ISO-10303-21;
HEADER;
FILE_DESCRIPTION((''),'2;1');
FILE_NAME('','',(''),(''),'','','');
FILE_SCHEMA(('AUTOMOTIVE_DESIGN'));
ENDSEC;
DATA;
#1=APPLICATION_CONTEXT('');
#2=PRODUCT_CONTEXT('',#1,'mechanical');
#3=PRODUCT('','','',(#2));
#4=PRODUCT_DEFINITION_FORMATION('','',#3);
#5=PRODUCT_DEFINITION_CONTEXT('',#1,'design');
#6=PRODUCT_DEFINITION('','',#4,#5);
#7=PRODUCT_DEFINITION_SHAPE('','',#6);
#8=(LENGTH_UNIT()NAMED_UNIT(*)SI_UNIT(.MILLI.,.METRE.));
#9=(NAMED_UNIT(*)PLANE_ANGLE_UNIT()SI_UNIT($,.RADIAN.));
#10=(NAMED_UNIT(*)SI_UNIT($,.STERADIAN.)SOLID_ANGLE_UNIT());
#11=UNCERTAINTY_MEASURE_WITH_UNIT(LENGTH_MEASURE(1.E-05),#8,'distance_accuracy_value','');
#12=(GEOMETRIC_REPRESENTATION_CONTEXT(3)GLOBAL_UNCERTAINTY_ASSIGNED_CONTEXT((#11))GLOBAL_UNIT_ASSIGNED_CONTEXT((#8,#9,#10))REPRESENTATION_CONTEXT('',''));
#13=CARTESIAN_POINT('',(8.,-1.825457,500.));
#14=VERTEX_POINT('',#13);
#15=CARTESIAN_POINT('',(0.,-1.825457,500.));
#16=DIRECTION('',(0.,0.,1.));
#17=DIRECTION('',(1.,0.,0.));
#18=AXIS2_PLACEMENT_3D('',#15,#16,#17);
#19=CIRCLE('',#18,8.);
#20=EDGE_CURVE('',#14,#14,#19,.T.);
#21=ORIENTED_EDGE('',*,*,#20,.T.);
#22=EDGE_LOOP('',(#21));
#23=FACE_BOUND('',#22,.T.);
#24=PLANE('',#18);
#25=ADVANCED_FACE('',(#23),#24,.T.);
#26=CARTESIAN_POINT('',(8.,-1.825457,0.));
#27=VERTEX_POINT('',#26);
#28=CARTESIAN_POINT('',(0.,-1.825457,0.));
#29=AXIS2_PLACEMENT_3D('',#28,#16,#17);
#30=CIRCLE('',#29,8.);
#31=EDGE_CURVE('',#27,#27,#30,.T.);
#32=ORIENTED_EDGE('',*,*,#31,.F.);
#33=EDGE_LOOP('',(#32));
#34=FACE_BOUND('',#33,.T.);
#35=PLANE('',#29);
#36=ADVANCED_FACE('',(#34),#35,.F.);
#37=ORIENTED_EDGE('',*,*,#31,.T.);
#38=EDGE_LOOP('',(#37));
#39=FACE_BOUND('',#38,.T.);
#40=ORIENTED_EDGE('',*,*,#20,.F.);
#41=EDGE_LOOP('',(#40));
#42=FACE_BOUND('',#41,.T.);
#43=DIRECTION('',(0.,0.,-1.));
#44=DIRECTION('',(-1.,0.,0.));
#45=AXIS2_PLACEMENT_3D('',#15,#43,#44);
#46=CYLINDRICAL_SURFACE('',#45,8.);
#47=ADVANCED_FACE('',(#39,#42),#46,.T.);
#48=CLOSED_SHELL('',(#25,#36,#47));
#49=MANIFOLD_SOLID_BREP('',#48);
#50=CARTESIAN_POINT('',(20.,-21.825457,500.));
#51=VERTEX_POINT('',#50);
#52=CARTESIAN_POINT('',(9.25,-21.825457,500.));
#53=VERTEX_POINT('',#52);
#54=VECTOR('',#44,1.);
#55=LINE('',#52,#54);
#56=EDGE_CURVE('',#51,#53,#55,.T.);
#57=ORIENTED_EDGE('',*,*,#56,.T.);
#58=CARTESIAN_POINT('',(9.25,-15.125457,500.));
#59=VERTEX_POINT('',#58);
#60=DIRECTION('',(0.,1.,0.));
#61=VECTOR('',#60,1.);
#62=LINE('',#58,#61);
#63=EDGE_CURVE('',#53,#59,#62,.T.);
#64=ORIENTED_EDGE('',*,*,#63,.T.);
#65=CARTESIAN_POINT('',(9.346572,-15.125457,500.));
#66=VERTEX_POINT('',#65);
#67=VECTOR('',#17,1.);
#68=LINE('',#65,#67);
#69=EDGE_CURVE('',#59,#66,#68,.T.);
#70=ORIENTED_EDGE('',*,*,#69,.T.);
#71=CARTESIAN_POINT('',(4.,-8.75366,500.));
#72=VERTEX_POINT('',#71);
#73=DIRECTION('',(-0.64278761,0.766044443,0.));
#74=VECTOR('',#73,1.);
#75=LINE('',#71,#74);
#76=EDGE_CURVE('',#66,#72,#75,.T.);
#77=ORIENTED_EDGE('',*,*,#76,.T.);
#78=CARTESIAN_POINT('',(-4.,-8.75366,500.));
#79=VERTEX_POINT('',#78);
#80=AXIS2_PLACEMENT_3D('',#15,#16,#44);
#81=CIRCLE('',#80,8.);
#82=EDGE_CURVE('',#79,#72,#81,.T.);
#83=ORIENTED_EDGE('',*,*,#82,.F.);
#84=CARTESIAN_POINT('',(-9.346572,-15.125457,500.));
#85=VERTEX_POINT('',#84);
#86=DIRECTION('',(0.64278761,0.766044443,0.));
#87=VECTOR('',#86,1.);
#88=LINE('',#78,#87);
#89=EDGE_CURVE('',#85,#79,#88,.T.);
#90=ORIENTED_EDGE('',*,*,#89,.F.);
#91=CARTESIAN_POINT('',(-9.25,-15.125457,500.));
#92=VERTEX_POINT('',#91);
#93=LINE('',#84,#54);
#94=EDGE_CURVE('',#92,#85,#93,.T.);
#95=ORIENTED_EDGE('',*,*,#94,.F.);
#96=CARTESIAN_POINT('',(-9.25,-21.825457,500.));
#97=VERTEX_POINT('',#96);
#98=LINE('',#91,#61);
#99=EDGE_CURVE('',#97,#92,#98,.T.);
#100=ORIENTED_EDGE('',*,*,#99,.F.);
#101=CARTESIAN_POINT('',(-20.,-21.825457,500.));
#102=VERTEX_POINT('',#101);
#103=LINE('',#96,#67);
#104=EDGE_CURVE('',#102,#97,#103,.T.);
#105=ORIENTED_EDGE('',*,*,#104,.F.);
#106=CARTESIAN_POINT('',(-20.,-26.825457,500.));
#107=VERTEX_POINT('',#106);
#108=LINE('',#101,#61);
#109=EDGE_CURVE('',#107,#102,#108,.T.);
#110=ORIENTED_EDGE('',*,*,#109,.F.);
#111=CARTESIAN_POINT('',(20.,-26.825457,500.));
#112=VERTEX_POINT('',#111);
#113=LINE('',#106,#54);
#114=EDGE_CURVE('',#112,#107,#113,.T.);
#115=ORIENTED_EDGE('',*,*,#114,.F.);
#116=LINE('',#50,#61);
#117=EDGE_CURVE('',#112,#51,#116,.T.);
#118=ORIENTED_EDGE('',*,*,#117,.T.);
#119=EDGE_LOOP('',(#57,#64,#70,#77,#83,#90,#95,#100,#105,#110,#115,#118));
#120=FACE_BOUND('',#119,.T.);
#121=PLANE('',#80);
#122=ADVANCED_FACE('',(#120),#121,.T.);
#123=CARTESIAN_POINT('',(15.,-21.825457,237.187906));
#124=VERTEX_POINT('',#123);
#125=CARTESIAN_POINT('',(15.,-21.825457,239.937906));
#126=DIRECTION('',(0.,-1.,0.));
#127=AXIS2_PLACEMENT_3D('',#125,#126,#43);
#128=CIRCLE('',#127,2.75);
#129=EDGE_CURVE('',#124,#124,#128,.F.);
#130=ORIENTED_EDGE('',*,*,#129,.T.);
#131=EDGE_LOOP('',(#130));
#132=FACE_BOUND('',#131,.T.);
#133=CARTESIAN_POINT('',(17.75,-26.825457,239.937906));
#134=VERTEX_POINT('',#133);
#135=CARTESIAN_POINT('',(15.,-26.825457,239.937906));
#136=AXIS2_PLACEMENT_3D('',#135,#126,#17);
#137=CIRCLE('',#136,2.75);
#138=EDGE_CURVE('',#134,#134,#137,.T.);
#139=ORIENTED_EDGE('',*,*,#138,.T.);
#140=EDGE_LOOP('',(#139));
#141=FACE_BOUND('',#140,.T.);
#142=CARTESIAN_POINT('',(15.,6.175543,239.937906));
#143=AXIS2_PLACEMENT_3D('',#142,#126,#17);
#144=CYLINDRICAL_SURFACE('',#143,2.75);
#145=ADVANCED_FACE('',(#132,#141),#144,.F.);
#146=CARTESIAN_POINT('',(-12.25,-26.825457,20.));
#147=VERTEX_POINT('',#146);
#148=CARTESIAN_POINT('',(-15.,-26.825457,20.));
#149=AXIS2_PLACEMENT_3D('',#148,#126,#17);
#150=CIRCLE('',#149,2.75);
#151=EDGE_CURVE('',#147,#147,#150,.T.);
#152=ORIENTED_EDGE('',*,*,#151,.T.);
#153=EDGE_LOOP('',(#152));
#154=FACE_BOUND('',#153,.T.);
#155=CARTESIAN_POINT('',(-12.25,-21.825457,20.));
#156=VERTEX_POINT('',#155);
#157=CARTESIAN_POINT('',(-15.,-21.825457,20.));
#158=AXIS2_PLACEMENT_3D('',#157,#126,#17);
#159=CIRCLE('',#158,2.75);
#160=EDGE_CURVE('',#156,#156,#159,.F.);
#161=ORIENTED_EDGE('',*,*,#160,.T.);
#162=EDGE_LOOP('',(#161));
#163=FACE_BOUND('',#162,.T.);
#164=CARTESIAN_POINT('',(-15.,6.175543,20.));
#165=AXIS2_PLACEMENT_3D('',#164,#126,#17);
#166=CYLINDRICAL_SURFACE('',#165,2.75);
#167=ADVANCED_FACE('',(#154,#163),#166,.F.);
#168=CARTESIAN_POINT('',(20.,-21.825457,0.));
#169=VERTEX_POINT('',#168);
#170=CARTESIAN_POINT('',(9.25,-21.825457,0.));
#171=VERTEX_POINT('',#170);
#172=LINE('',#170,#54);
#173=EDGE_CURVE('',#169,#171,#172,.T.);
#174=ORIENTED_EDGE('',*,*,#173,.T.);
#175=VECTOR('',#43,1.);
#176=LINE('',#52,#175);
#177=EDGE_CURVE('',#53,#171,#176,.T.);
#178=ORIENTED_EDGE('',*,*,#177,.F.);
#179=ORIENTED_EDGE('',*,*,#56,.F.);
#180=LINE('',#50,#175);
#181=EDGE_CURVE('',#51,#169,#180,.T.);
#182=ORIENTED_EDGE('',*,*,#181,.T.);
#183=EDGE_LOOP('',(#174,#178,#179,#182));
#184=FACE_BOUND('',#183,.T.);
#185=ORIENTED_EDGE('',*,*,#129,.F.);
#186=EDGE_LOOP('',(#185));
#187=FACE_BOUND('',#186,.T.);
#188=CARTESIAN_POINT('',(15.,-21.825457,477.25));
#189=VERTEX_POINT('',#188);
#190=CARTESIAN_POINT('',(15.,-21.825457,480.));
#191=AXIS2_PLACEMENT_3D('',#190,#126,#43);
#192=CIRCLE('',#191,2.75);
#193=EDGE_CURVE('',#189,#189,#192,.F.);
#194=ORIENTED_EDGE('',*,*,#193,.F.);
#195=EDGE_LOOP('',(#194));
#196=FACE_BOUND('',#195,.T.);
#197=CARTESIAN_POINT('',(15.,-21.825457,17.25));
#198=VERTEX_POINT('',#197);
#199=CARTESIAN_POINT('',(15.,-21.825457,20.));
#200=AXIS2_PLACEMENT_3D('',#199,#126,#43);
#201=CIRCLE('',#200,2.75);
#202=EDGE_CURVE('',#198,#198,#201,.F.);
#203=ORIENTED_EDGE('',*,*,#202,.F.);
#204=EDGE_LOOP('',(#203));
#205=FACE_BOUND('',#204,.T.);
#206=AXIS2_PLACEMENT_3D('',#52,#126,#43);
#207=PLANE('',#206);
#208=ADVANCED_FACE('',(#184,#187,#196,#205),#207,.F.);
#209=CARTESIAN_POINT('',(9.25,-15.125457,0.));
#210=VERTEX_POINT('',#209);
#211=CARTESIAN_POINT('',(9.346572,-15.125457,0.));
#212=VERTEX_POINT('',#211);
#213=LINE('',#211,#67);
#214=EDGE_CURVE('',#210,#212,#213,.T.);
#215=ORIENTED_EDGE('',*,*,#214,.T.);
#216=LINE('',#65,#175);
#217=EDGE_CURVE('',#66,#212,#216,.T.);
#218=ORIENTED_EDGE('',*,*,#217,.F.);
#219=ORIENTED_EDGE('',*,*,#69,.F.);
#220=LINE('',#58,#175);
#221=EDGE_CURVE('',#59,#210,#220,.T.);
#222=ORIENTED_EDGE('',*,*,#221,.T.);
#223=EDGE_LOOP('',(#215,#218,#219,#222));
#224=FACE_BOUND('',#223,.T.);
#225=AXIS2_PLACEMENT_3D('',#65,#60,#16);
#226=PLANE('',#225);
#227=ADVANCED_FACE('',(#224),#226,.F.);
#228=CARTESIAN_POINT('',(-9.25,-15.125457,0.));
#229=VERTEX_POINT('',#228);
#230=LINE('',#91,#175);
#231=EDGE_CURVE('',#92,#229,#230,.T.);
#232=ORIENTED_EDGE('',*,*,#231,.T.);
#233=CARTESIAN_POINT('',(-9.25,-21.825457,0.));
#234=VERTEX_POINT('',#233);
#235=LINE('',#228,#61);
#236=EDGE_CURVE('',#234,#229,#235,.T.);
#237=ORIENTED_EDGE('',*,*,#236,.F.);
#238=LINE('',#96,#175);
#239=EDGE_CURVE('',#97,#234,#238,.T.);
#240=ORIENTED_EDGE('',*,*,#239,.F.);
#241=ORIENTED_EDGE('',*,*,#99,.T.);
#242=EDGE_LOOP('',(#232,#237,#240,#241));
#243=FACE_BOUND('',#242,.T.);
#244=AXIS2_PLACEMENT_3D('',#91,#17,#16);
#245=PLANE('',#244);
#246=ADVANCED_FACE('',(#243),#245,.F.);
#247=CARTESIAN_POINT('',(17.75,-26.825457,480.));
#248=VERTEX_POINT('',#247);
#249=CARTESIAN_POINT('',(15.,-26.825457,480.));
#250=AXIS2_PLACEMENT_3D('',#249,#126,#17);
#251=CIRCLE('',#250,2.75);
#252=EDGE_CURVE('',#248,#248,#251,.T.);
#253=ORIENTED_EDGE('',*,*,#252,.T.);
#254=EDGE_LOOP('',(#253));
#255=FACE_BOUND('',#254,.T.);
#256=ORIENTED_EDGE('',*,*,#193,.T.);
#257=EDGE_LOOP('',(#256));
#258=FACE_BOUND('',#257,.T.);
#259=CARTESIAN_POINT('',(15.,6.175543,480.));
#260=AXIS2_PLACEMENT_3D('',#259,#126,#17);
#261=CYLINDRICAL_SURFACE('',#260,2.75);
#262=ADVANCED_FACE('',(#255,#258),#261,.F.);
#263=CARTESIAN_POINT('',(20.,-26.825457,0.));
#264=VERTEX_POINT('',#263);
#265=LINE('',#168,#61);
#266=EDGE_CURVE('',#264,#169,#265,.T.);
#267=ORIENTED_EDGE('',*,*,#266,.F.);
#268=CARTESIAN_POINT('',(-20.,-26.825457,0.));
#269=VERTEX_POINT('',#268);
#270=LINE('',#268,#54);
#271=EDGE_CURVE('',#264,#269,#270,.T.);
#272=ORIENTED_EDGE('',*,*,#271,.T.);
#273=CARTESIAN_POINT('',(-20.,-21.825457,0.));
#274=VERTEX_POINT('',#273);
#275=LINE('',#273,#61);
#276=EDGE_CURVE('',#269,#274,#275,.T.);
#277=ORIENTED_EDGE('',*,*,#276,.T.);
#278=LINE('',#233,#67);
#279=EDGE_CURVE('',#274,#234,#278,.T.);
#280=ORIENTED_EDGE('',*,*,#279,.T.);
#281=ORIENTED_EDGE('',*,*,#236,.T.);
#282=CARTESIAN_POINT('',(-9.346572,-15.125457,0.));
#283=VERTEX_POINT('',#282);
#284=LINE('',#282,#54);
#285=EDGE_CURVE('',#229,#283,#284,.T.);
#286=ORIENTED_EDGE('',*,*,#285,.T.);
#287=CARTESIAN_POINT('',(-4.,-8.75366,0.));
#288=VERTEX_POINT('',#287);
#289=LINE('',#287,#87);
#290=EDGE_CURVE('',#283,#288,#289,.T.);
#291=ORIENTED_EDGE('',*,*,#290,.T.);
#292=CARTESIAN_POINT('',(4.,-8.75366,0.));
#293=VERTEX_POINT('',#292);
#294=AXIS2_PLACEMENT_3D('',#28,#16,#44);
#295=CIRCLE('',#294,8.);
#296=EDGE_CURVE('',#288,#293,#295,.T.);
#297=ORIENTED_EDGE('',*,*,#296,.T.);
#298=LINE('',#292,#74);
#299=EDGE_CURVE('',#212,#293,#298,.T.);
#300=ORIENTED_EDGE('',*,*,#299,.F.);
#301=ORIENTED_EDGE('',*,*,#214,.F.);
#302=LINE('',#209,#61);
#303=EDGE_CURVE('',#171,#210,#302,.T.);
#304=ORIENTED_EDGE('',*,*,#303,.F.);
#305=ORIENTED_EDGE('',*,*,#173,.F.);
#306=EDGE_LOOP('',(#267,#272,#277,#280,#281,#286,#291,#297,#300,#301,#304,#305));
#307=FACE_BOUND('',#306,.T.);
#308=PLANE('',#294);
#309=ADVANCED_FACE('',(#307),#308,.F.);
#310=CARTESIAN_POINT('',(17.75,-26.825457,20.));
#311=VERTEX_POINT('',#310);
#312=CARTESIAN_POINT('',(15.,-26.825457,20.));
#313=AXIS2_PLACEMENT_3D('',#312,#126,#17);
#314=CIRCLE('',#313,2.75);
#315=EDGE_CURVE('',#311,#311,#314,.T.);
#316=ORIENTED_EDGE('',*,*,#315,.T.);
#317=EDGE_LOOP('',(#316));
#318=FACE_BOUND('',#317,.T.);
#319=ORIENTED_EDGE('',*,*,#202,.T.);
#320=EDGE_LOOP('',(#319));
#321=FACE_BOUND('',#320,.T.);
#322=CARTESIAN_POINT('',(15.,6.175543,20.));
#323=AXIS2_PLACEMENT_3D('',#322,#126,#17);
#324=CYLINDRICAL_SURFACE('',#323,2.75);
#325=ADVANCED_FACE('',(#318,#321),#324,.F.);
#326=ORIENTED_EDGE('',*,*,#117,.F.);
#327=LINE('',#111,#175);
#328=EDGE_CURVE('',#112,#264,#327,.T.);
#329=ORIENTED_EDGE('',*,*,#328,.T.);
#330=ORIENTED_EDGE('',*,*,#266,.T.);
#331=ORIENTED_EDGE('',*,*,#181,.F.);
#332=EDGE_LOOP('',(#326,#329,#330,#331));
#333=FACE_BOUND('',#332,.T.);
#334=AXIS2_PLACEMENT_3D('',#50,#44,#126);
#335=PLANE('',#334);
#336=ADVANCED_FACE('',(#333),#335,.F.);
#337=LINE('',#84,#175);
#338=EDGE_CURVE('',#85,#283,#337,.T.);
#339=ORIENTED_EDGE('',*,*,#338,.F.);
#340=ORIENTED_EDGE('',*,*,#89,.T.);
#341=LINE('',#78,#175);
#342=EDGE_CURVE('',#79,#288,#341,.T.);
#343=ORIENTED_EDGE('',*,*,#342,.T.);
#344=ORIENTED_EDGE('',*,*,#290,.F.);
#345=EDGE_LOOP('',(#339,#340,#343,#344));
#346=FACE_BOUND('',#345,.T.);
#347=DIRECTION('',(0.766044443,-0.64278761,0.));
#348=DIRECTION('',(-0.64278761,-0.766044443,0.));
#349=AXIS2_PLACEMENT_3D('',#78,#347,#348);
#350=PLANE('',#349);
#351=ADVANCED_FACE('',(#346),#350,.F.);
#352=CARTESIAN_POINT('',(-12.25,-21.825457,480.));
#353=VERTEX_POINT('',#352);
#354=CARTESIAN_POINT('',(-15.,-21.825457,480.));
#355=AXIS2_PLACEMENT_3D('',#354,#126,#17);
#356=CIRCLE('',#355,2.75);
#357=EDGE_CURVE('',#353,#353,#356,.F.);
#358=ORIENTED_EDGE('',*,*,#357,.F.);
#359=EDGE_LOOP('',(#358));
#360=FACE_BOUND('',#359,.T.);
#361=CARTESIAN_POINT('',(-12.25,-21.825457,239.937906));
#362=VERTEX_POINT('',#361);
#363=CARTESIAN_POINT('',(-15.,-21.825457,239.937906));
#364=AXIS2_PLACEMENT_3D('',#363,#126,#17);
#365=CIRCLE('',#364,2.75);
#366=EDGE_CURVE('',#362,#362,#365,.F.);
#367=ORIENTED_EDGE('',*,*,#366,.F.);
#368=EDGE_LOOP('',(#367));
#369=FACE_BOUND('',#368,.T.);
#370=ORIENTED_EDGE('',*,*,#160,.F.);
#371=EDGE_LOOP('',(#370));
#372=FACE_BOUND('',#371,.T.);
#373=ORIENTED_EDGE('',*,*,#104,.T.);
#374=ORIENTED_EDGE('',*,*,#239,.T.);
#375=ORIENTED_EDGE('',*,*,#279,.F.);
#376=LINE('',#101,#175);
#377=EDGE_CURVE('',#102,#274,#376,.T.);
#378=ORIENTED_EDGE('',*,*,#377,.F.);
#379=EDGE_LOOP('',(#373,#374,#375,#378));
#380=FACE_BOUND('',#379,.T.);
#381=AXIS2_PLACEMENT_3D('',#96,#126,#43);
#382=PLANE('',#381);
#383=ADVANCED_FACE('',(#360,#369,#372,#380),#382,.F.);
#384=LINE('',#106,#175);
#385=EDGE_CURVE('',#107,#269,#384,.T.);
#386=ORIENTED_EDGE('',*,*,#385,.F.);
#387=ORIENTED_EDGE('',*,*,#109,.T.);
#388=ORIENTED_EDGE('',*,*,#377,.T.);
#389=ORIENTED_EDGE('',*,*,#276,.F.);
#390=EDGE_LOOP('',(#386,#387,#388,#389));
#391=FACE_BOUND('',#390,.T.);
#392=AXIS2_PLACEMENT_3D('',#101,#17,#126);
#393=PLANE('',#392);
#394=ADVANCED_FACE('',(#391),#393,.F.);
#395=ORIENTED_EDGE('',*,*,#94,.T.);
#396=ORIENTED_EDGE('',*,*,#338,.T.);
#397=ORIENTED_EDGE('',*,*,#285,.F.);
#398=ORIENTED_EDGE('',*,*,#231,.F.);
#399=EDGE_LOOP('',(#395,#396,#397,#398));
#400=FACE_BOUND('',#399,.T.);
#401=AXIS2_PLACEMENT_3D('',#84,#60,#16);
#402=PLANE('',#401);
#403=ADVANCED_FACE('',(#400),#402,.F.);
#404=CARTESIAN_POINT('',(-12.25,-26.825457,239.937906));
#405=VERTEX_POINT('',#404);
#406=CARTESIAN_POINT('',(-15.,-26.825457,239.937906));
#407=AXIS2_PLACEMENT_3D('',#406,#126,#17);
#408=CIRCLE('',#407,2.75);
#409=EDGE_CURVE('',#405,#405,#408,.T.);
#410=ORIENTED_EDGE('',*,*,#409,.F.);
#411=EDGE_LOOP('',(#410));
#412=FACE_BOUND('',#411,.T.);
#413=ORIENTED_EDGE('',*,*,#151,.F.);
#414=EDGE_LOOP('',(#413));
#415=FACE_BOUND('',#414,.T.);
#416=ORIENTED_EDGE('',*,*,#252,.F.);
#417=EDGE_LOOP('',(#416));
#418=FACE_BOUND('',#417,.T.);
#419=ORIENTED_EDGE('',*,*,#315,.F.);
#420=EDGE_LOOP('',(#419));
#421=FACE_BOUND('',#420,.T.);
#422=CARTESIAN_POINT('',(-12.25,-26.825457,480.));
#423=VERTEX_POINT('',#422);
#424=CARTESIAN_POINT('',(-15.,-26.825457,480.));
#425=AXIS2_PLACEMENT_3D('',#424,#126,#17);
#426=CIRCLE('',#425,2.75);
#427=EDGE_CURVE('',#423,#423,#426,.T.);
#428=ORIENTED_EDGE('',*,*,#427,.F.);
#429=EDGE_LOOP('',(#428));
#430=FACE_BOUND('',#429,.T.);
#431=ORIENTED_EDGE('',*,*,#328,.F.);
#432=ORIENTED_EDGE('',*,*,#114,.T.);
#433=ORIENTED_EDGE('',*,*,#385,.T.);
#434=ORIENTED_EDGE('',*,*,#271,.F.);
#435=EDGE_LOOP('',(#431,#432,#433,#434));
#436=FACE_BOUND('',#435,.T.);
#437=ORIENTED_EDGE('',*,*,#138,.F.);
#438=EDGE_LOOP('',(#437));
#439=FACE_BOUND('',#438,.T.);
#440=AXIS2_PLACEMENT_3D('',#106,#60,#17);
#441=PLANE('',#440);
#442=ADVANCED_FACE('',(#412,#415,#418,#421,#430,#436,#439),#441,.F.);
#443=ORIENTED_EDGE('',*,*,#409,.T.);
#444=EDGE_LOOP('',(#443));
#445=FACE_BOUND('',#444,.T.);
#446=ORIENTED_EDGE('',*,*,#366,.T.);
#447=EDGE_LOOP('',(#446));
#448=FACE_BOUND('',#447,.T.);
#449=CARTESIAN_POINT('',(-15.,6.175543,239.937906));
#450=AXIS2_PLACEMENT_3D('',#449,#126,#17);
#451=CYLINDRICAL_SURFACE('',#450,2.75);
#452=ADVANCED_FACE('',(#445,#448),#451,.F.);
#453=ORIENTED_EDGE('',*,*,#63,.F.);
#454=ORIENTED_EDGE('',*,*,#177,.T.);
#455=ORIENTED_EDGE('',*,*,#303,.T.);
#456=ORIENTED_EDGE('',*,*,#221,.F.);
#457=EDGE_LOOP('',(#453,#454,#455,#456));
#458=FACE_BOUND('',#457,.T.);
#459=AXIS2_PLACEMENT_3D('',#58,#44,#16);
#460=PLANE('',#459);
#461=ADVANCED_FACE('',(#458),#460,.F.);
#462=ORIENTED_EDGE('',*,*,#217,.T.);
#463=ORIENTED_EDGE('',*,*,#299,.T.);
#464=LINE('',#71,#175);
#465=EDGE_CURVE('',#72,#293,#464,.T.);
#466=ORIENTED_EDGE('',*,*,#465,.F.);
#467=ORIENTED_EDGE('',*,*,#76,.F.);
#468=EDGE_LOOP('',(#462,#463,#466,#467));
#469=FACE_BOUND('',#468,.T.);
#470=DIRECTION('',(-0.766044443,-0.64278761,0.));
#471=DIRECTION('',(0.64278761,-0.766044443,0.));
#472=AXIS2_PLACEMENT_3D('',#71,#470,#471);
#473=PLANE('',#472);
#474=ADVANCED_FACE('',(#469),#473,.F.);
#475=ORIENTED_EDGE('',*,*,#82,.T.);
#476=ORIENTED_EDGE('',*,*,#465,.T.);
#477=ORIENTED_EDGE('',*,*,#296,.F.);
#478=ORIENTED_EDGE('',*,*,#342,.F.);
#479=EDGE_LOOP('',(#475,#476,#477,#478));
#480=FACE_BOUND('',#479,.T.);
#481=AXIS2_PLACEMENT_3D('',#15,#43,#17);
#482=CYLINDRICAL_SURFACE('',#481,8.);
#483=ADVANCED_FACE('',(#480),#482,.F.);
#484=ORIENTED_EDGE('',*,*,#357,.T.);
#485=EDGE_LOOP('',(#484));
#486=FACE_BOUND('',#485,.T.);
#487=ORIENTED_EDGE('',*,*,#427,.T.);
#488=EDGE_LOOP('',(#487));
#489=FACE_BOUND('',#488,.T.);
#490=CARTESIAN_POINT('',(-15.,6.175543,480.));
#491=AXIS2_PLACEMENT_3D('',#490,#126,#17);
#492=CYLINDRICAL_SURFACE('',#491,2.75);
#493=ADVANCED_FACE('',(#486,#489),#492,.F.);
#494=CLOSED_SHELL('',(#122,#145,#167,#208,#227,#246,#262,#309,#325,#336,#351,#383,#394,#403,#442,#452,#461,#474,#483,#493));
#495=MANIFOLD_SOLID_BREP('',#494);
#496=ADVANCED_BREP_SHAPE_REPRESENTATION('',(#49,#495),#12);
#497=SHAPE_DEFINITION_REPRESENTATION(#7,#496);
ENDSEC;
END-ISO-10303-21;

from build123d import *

# Parameters (mm, degrees)
SKETCH1_R          = 8
EXTRUDE1_DEPTH     = 500
EXTRUDE3_DEPTH     = 500
SKETCH8_R          = 2.75
CUT_EXTRUDE1_DEPTH = 5


with BuildPart() as part:
    # Sketch1 → Extrude1 (new body)
    with BuildSketch(Plane.XY):
        with Locations((0, -1.825456957)):
            Circle(SKETCH1_R)
    extrude(amount=EXTRUDE1_DEPTH)


with BuildPart() as body_2:
    # Sketch2 → Extrude3 (new body)
    with BuildSketch(Plane.XY):
        with BuildLine():
            Line((4, -8.753660187), (9.346572319, -15.125456957))
            Line((9.346572319, -15.125456957), (9.25, -15.125456957))
            Line((9.25, -15.125456957), (9.25, -21.825456957))
            Line((9.25, -21.825456957), (20, -21.825456957))
            Line((20, -21.825456957), (20, -26.825456957))
            Line((20, -26.825456957), (0, -26.825456957))
            Line((0, -26.825456957), (0, -9.825456957))
            ThreePointArc((0, -9.825456957), (2.070552361, -9.552863567), (4, -8.753660187))
        make_face()
    extrude(amount=EXTRUDE3_DEPTH)


with BuildPart() as body_3:
    # Mirror5: mirrored copy
    add(body_2.part.mirror(Plane(origin=(0, -26.825456957, 500), x_dir=(0, 0, 1), z_dir=(1, 0, 0))))

    # Combine1: union body 2
    add(body_2.part)

    # Sketch8 → Cut-Extrude1 (cut)
    with BuildSketch(Plane.XZ.offset(26.825456957)):
        with Locations((-15, 20)):
            Circle(SKETCH8_R)
        with Locations((15, 20)):
            Circle(SKETCH8_R)
        with Locations((-15, 239.937905992)):
            Circle(SKETCH8_R)
        with Locations((15, 239.937905992)):
            Circle(SKETCH8_R)
        with Locations((-15, 480)):
            Circle(SKETCH8_R)
        with Locations((15, 480)):
            Circle(SKETCH8_R)
    extrude(amount=-CUT_EXTRUDE1_DEPTH, mode=Mode.SUBTRACT)


solid = Compound([part.part, body_3.part])
